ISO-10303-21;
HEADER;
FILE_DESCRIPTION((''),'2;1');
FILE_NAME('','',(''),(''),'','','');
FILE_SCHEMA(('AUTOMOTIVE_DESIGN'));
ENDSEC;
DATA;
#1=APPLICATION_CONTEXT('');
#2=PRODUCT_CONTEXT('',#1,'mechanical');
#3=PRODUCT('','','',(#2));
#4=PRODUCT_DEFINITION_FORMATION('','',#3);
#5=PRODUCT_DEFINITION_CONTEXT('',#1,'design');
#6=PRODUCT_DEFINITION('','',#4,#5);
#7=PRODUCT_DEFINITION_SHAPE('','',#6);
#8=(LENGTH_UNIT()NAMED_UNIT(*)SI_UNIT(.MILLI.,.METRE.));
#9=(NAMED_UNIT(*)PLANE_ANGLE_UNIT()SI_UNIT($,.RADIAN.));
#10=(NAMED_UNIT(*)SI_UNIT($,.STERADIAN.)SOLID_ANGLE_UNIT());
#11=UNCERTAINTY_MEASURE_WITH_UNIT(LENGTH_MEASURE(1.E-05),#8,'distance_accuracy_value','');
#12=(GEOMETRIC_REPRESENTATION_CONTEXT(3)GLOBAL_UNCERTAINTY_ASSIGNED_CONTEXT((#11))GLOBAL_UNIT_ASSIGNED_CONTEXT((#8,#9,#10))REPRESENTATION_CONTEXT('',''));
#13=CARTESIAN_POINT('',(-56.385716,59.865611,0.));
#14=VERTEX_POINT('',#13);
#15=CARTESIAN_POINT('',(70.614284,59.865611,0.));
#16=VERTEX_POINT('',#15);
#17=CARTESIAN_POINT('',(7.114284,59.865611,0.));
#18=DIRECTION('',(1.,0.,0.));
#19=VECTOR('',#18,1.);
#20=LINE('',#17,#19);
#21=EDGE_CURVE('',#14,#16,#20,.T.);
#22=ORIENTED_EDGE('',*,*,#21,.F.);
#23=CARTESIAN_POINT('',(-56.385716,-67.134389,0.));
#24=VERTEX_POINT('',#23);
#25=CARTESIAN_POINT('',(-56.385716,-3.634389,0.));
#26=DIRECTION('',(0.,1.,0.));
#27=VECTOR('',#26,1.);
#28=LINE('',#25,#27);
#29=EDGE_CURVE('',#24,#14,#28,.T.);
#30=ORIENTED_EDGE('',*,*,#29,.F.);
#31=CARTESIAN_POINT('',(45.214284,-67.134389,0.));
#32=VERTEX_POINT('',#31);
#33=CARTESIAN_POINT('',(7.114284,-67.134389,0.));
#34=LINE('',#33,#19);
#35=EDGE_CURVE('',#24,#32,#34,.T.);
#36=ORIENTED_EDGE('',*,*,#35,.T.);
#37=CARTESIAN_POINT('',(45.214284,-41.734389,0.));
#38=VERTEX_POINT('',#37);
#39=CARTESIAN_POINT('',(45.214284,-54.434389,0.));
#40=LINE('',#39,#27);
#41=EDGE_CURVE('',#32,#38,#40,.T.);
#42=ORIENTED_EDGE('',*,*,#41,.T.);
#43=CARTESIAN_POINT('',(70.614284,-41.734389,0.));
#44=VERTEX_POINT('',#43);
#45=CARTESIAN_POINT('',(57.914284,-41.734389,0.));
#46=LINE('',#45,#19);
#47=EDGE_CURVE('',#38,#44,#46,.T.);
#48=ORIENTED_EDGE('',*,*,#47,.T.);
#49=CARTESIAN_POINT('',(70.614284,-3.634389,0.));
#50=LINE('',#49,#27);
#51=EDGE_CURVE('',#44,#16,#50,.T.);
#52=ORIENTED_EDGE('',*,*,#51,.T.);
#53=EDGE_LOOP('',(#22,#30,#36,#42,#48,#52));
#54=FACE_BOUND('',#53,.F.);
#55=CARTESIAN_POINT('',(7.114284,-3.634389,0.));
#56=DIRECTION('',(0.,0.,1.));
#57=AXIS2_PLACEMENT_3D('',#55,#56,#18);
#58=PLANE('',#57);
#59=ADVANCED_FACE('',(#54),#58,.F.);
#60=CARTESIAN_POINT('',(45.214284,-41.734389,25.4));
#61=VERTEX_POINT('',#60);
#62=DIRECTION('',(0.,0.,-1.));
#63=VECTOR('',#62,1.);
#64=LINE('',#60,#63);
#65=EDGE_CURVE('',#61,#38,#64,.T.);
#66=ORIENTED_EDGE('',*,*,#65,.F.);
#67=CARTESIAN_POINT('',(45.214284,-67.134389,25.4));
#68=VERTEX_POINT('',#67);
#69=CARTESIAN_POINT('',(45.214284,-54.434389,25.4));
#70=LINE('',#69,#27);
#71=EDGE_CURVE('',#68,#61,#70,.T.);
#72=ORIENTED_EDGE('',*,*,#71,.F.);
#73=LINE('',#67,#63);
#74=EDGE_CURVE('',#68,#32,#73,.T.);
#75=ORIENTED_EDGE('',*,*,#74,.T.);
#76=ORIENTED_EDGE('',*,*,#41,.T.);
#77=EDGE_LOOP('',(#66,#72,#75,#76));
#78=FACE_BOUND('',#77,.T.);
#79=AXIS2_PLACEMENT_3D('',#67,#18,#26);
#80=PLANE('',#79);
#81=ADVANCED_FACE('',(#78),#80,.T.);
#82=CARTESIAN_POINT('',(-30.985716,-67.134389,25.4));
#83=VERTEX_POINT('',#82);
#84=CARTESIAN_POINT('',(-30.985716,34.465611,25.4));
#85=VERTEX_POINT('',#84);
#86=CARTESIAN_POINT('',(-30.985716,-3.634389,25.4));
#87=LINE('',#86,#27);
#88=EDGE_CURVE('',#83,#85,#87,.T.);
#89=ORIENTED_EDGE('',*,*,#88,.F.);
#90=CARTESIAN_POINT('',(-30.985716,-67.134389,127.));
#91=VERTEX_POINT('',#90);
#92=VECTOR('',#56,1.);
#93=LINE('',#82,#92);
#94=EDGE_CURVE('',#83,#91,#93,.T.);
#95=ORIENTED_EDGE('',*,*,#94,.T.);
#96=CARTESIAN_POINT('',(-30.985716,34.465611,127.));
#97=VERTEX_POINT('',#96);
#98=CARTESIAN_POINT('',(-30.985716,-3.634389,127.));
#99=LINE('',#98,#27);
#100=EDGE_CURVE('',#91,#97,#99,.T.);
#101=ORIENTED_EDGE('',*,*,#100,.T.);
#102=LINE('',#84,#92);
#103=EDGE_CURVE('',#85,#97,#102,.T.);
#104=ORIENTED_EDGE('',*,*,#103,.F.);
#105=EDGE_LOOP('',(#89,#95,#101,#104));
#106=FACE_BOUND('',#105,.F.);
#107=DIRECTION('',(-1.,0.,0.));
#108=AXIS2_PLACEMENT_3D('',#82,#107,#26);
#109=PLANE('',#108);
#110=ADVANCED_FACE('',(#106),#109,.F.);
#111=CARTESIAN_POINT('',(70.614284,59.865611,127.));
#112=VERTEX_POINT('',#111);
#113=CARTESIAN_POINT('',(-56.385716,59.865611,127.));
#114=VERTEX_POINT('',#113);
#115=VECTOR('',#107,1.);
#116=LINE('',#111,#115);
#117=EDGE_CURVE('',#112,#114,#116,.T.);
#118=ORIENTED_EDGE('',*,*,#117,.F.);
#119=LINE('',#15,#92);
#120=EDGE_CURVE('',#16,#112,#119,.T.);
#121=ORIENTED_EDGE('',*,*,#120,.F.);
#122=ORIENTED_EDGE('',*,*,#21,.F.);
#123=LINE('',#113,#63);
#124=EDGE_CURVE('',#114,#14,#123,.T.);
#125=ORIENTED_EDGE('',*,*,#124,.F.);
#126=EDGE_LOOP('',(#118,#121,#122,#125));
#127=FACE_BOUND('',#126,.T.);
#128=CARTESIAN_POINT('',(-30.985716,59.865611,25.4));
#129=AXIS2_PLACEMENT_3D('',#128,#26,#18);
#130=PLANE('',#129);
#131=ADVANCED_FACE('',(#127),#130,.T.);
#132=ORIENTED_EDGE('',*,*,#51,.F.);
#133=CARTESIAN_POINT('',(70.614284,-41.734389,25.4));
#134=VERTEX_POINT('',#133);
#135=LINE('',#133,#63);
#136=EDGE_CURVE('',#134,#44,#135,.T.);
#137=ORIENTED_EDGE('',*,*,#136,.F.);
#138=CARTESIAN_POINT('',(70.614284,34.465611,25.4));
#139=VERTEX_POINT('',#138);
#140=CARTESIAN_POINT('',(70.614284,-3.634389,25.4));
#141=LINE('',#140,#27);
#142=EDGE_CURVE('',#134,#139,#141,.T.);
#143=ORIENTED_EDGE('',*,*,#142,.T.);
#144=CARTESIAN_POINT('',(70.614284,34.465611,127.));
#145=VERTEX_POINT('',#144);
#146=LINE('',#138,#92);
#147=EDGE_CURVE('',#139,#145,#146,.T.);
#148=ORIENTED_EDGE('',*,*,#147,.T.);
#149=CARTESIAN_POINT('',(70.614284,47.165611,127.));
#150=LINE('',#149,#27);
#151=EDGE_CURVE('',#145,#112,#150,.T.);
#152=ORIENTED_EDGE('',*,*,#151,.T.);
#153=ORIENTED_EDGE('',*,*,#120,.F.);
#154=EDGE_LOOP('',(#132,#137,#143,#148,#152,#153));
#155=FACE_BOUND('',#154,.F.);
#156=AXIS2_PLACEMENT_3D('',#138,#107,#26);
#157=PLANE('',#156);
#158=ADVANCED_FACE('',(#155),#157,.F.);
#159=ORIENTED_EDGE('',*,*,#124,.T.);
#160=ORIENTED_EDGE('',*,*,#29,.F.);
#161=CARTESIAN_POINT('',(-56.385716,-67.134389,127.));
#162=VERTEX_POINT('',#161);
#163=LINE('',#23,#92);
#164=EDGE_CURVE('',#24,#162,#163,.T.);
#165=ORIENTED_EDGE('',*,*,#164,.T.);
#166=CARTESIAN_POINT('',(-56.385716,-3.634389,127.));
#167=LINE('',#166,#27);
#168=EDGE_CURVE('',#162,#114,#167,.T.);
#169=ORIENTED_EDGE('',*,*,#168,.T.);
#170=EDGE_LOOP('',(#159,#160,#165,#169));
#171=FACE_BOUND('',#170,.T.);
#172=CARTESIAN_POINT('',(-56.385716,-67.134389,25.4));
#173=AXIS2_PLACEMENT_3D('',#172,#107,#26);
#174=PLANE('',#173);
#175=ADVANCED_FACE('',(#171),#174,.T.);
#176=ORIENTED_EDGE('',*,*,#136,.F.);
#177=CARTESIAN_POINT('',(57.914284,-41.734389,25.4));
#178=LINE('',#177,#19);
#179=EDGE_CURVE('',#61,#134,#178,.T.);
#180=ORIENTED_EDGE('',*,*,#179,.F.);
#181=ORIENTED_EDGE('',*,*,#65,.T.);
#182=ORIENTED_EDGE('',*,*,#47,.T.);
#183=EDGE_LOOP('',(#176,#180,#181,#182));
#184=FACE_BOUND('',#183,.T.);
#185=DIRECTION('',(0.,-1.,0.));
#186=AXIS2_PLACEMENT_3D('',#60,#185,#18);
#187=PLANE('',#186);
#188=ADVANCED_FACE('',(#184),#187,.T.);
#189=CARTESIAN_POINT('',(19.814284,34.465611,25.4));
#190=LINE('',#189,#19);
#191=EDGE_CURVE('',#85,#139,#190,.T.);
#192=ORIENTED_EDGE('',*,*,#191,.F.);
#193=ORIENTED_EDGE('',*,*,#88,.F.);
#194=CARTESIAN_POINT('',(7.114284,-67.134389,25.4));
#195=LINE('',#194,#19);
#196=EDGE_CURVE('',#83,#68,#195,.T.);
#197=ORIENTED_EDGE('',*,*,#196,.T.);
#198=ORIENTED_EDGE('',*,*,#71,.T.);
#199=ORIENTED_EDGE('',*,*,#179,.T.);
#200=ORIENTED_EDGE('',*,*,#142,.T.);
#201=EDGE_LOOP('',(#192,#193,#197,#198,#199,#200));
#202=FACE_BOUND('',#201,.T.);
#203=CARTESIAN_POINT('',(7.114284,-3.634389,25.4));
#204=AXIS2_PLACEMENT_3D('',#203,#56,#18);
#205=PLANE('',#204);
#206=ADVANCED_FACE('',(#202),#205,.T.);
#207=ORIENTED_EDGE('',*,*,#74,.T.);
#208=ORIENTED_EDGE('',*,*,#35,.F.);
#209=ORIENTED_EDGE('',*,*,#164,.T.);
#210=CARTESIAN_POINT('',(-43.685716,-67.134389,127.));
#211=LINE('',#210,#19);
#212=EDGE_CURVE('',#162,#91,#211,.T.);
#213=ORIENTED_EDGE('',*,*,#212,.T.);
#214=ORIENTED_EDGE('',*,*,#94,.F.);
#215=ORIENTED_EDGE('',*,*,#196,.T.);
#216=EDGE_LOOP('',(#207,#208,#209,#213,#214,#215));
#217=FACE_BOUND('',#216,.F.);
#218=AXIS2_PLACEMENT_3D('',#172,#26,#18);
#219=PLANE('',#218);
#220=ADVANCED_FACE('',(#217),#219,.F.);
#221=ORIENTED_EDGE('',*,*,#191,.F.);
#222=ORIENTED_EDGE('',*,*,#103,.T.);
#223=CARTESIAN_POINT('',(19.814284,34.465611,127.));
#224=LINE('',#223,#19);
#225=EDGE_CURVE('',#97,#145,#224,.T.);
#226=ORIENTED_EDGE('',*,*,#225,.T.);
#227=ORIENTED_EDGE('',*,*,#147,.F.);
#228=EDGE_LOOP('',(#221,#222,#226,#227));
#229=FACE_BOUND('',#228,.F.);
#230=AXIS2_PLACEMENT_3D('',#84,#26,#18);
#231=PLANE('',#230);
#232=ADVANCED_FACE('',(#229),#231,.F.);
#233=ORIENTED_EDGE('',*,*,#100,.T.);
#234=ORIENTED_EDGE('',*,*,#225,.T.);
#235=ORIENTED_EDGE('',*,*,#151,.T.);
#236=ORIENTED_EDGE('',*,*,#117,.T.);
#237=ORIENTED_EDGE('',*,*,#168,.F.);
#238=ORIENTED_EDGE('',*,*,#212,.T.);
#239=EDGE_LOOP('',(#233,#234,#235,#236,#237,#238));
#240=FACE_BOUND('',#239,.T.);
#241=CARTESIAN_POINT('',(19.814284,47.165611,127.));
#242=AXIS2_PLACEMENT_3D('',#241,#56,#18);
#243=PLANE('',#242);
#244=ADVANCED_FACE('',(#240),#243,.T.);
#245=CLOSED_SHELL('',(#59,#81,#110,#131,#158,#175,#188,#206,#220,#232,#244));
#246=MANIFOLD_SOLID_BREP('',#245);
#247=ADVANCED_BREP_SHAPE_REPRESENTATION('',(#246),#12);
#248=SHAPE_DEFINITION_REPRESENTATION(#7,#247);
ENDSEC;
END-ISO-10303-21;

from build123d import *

# Parameters (mm, degrees)
F0_W     = 127
F0_H     = 127
F1_DEPTH = 25.4
F2_W     = 25.4
F2_H     = 127
F3_DEPTH = 101.6
F4_W     = 101.6
F4_H     = 25.4
F5_DEPTH = 101.6
F6_W     = 25.4
F6_H     = 25.4
F7_DEPTH = 25.4


with BuildPart() as f1:
    # F0 (on Top) → F1 (new body)
    with BuildSketch(Plane.XY):
        with Locations((7.114284, -3.634389)):
            Rectangle(F0_W, F0_H)
    extrude(amount=F1_DEPTH)

    # F2 (on face) → F3 (join)
    with BuildSketch(Plane.XY.offset(25.4)):
        with Locations((-43.685716, -3.634389)):
            Rectangle(F2_W, F2_H)
    extrude(amount=F3_DEPTH)

    # F4 (on face) → F5 (join)
    with BuildSketch(Plane.XY.offset(25.4)):
        with Locations((19.814284, 47.165611)):
            Rectangle(F4_W, F4_H)
    extrude(amount=F5_DEPTH)

    # F6 (on face) → F7 (cut)
    with BuildSketch(Plane.XY.offset(25.4)):
        with Locations((57.914284, -54.434389)):
            Rectangle(F6_W, F6_H)
    extrude(amount=-F7_DEPTH, mode=Mode.SUBTRACT)


solid = f1.part
